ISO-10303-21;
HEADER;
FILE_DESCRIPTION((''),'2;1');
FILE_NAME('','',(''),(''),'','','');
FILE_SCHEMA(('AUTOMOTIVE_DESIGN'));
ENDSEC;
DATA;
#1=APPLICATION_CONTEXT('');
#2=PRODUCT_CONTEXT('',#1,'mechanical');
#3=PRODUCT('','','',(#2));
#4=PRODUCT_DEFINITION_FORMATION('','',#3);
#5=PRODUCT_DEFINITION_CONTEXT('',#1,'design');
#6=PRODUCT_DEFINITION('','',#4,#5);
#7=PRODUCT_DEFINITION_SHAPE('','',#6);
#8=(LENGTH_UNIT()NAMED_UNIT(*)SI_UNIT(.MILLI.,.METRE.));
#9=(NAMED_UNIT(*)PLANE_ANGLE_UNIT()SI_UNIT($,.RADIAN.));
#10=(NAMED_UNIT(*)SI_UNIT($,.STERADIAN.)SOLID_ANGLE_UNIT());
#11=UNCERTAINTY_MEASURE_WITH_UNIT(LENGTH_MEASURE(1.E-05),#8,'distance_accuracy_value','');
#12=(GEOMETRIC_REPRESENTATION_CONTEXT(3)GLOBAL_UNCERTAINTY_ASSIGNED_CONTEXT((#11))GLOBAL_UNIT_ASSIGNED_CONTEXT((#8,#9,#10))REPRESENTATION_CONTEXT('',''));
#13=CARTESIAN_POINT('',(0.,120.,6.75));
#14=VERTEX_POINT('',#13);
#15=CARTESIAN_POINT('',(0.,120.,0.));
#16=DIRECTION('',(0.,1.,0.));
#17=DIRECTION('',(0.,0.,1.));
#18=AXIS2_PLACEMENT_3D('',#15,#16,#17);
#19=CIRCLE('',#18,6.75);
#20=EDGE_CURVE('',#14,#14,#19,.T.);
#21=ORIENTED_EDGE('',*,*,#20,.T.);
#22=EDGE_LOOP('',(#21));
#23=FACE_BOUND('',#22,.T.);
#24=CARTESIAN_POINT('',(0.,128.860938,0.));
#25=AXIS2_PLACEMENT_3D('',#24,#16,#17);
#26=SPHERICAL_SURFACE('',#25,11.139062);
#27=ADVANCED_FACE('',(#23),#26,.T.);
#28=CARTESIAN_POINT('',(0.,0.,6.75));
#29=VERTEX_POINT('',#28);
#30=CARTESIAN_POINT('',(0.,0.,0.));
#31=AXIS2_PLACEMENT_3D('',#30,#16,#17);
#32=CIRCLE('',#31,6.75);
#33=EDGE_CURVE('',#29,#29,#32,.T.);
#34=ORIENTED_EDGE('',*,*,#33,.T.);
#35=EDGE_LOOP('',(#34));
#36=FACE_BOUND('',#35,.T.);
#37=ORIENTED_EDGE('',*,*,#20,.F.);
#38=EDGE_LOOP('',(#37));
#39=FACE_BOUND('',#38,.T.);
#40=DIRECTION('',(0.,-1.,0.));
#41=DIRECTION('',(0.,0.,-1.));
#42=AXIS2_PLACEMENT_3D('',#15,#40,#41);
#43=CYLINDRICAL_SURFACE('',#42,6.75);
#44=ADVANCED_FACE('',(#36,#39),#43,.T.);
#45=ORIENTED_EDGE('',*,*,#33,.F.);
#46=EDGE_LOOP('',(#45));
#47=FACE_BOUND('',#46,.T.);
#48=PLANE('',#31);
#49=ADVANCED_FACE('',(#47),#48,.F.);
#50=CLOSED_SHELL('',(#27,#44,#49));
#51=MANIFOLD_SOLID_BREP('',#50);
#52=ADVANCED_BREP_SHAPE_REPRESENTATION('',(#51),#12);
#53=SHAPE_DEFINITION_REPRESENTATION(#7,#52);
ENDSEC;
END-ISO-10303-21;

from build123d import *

# Parameters (mm, degrees)
SKETCH1_R           = 6.75
BOSS_EXTRUDE1_DEPTH = 120
DOME1_FACE_RADIUS   = 6.75
DOME1_HEIGHT        = 20


with BuildPart() as part:
    # Sketch1 → Boss-Extrude1 (new body)
    with BuildSketch(Plane(origin=(0, 0, 0), x_dir=(1, 0, 0), z_dir=(0, 1, 0))):
        with Locations(Location((0, 0, 0), (0, 0, 270))):
            Circle(SKETCH1_R)
    extrude(amount=BOSS_EXTRUDE1_DEPTH)

    # Dome1: a dome of height H over a round flat face of radius A is a cap of a sphere of radius (A * A + H * H) / (2 * H)
    dome1_r = (DOME1_FACE_RADIUS * DOME1_FACE_RADIUS + DOME1_HEIGHT * DOME1_HEIGHT) / (2 * DOME1_HEIGHT)
    dome1_base = Plane((0, 120, 0), z_dir=(0, 1, 0))
    with Locations(dome1_base.offset(DOME1_HEIGHT - dome1_r)):
        dome1_ball = Sphere(dome1_r, mode=Mode.PRIVATE)
    add(split(dome1_ball, bisect_by=dome1_base, keep=Keep.TOP, mode=Mode.PRIVATE))


solid = part.part
